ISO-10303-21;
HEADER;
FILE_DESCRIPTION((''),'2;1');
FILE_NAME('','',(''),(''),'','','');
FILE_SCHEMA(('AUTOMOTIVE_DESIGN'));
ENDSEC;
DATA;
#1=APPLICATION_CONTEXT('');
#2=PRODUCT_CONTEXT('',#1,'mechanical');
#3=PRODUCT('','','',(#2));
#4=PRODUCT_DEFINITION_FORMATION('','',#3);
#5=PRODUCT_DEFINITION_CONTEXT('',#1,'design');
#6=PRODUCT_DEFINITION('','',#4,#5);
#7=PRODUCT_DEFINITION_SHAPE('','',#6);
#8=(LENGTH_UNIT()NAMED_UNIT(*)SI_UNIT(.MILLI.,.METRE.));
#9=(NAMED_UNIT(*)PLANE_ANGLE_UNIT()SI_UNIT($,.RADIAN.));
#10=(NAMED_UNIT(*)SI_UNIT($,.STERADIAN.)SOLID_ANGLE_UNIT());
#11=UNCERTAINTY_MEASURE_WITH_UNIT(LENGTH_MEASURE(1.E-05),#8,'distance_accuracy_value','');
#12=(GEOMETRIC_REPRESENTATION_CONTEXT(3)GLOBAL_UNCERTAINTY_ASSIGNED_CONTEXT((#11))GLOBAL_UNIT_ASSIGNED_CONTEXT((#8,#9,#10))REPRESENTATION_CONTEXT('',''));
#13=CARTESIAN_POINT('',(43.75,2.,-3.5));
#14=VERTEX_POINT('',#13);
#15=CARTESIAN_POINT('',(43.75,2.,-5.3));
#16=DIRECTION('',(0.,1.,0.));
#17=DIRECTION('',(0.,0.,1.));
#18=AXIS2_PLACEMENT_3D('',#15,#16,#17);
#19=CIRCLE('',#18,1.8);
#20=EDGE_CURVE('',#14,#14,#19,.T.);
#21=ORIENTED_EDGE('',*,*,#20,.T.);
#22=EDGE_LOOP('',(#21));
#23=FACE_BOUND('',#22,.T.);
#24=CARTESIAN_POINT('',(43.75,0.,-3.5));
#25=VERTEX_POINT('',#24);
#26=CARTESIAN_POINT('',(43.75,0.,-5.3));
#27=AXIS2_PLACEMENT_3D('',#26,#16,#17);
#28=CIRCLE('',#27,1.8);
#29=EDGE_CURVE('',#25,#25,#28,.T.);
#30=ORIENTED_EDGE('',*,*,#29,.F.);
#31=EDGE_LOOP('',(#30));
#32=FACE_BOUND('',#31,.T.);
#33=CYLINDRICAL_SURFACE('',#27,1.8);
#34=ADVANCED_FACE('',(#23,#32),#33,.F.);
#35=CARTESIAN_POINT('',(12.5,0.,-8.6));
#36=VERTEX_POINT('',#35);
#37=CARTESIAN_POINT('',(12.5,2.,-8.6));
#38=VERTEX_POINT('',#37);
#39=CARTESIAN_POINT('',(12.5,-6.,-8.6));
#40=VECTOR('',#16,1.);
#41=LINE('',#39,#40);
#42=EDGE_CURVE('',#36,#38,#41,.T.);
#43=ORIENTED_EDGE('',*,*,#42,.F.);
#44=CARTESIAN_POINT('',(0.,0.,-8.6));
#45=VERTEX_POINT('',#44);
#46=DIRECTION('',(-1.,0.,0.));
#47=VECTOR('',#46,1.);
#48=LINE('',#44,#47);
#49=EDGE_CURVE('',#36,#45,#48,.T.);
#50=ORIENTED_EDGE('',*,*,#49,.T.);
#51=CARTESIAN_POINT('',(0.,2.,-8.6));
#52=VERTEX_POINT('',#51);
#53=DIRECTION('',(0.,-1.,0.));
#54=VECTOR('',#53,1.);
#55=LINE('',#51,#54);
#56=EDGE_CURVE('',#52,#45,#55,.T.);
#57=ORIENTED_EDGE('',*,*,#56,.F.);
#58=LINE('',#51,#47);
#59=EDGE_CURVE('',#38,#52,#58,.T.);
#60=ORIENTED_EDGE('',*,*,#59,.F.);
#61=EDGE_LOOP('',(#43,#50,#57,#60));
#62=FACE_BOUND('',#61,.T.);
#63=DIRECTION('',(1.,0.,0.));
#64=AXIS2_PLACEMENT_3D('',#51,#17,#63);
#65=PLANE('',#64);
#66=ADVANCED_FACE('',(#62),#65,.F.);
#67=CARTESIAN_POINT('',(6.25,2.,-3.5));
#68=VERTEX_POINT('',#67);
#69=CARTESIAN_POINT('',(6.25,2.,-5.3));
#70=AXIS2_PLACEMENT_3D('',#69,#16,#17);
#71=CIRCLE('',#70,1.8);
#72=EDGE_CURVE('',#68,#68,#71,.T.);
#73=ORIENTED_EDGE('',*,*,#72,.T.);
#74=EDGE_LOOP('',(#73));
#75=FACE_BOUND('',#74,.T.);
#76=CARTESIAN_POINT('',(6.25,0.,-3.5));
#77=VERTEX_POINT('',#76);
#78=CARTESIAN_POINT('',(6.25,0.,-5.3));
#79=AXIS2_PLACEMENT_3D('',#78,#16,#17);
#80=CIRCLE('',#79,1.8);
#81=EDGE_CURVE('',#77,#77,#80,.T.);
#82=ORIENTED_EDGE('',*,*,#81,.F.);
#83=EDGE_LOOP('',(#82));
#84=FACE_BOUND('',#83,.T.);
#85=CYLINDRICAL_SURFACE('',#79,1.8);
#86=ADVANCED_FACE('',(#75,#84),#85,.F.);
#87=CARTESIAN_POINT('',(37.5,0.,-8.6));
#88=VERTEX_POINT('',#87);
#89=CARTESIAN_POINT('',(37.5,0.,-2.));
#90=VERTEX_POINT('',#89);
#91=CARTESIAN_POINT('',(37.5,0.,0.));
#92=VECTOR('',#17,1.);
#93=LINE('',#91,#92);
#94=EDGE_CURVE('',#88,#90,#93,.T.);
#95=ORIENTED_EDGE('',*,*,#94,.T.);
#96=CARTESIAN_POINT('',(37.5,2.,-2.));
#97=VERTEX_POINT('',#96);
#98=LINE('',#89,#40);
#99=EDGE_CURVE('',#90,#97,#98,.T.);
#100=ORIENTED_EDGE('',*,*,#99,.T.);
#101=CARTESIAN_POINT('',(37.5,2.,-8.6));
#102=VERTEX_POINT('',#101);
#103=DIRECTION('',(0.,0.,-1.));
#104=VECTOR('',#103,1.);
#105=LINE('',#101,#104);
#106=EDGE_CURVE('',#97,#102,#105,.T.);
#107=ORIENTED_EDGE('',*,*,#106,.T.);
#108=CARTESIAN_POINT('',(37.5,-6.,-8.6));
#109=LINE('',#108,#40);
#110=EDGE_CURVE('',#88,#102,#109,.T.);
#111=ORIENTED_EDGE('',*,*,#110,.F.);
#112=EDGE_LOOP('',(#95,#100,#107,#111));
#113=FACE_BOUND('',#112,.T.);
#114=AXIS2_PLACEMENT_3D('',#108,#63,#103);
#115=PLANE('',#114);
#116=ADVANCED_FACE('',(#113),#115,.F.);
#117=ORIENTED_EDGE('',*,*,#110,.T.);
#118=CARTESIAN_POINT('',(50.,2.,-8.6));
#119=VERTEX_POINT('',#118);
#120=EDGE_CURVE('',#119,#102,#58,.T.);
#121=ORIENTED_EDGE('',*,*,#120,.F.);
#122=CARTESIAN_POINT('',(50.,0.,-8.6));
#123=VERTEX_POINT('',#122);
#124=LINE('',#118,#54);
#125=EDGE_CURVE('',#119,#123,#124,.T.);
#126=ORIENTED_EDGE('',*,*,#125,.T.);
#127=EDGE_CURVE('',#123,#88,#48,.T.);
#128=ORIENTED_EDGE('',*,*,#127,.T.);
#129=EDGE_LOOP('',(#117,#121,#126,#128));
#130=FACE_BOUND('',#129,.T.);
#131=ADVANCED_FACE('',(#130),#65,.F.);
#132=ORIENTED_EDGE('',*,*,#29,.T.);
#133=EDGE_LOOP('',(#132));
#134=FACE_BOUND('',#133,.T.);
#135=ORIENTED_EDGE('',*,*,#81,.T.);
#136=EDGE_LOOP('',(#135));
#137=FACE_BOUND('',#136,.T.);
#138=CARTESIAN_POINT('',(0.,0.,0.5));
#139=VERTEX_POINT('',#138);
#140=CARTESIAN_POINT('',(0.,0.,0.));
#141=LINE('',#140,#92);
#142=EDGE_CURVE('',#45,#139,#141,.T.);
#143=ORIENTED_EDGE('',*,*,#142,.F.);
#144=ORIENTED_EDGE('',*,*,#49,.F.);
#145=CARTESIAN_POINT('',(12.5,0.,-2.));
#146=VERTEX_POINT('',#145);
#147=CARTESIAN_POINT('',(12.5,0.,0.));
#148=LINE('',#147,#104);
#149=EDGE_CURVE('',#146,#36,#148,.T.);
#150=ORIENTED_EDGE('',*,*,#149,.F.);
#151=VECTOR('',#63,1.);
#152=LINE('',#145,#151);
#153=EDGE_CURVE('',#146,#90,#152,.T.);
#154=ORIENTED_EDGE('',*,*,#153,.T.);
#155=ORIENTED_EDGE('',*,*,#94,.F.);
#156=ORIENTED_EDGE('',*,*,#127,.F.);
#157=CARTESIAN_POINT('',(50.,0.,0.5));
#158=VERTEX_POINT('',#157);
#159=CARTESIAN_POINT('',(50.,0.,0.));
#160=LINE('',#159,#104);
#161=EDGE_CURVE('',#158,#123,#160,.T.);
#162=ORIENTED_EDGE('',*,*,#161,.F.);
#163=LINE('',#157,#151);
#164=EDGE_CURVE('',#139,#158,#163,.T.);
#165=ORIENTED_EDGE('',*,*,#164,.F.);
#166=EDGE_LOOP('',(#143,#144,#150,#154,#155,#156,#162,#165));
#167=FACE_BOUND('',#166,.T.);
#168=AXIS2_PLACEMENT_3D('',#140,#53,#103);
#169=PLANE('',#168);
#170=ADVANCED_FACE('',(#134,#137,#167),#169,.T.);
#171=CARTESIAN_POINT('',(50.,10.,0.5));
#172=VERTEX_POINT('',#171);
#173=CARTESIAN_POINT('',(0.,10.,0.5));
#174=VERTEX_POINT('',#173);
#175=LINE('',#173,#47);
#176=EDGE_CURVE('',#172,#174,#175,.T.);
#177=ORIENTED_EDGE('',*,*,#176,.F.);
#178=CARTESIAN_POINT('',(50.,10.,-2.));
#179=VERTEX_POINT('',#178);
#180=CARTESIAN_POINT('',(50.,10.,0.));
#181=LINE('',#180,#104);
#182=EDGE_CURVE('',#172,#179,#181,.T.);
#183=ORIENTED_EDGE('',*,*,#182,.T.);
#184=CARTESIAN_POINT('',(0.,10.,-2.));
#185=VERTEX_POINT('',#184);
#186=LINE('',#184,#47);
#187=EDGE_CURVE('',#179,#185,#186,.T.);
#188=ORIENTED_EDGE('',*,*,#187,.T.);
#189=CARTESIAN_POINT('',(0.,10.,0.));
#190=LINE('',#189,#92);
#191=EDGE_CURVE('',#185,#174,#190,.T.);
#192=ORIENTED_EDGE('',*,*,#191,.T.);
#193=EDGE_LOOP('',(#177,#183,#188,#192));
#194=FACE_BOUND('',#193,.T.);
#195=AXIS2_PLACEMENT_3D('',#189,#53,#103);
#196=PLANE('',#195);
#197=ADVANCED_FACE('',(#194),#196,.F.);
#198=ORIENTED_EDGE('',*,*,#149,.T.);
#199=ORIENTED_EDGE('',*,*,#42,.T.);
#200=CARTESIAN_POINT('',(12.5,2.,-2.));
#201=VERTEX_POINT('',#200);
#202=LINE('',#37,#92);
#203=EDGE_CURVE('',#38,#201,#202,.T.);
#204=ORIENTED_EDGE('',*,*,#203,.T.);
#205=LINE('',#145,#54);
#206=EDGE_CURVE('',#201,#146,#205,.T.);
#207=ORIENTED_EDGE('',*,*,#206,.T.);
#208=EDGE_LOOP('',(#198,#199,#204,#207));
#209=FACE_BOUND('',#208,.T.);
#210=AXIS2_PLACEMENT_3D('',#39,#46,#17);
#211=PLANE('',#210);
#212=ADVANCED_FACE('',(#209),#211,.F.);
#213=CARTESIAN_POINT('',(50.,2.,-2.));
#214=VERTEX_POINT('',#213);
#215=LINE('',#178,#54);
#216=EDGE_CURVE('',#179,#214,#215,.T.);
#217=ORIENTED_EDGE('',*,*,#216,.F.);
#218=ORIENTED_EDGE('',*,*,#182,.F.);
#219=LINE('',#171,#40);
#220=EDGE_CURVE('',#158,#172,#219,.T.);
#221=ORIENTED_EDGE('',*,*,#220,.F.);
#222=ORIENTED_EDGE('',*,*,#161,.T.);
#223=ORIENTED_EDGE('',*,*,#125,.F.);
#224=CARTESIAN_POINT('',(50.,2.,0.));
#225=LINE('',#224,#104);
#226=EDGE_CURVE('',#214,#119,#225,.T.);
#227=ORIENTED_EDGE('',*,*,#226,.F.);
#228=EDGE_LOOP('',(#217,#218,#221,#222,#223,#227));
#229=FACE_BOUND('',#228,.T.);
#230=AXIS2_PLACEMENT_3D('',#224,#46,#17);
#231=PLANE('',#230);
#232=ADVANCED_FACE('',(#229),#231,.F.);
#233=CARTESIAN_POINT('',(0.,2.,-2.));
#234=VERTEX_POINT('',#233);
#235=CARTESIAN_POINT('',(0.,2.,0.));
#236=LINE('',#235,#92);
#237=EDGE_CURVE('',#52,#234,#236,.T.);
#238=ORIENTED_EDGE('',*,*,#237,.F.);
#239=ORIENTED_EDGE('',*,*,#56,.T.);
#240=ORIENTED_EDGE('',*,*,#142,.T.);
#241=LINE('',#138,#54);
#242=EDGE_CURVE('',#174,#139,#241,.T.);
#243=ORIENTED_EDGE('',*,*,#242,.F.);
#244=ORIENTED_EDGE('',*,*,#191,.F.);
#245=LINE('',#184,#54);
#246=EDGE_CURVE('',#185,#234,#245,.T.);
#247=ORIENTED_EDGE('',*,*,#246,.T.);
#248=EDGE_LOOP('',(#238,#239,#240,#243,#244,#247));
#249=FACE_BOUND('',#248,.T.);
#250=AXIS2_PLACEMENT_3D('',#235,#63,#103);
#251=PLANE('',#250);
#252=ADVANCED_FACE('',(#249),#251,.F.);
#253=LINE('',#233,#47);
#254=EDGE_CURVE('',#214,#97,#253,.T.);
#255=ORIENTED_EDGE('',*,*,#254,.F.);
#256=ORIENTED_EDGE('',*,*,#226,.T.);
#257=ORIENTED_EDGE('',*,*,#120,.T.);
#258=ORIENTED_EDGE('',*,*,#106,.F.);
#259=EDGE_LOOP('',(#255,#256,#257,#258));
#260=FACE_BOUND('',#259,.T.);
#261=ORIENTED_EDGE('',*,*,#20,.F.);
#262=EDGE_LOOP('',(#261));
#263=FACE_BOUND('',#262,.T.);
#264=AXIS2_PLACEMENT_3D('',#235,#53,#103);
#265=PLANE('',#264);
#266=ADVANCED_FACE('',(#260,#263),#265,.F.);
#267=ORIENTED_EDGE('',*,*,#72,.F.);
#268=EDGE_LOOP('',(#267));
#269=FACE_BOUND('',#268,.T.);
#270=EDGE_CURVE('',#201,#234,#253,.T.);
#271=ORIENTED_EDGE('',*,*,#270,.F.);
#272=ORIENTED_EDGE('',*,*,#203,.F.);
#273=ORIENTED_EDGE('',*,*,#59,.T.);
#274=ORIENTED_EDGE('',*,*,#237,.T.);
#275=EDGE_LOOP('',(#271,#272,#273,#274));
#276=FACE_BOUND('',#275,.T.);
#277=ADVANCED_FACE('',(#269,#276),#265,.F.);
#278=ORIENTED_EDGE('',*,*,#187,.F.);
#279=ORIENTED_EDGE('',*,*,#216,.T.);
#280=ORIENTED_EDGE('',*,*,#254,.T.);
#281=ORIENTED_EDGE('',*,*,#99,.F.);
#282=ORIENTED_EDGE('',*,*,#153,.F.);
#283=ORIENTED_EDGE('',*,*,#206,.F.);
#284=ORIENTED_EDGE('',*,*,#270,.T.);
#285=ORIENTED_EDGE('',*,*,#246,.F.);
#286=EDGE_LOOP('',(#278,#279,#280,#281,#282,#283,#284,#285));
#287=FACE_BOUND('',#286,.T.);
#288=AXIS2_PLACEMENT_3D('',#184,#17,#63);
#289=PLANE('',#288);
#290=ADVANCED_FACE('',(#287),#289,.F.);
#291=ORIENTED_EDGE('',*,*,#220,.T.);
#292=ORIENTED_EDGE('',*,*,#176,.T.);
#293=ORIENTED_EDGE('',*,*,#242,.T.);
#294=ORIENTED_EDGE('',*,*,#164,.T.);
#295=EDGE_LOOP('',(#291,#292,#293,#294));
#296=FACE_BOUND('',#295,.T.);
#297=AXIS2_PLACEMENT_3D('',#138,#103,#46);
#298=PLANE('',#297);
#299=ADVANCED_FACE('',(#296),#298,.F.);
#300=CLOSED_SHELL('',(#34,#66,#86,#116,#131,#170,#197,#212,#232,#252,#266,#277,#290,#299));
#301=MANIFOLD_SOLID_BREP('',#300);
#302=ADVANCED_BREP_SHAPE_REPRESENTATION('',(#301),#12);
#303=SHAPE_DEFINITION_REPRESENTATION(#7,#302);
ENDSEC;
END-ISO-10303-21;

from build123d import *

# Parameters (mm, degrees)
SKETCH1_W           = 50
SKETCH1_H           = 8.6
BOSS_EXTRUDE2_DEPTH = 2
SKETCH3_W           = 50
SKETCH3_H           = 2
BOSS_EXTRUDE3_DEPTH = 8
SKETCH4_W           = 25
SKETCH4_H           = 6.6
CUT_EXTRUDE1_DEPTH  = 8
SKETCH5_W           = 25
SKETCH5_H           = 2
CUT_EXTRUDE2_DEPTH  = 2
SKETCH6_R           = 1.8
CUT_EXTRUDE3_DEPTH  = 2
BOSS_EXTRUDE4_DEPTH = 0.5
SKETCH8_W           = 25
SKETCH8_H           = 2
BOSS_EXTRUDE5_DEPTH = 2.5


with BuildPart() as part:
    # Sketch1 → Boss-Extrude2 (new body)
    with BuildSketch(Plane(origin=(0, 0, 0), x_dir=(1, 0, 0), z_dir=(0, 1, 0))):
        with Locations((25, 4.3)):
            Rectangle(SKETCH1_W, SKETCH1_H)
    extrude(amount=BOSS_EXTRUDE2_DEPTH)

    # Sketch3 → Boss-Extrude3 (add)
    with BuildSketch(Plane(origin=(0, 2, 0), x_dir=(1, 0, 0), z_dir=(0, 1, 0))):
        with Locations((25, 1)):
            Rectangle(SKETCH3_W, SKETCH3_H)
    extrude(amount=BOSS_EXTRUDE3_DEPTH)

    # Sketch4 → Cut-Extrude1 (cut)
    with BuildSketch(Plane(origin=(0, 2, 0), x_dir=(1, 0, 0), z_dir=(0, 1, 0))):
        with Locations((25, 5.3)):
            Rectangle(SKETCH4_W, SKETCH4_H)
    extrude(amount=-CUT_EXTRUDE1_DEPTH, mode=Mode.SUBTRACT)

    # Sketch5 → Cut-Extrude2 (cut)
    with BuildSketch(Plane(origin=(0, 0, -2), x_dir=(-1, 0, 0), z_dir=(0, 0, -1))):
        with Locations((-25, 1)):
            Rectangle(SKETCH5_W, SKETCH5_H)
    extrude(amount=-CUT_EXTRUDE2_DEPTH, mode=Mode.SUBTRACT)

    # Sketch6 → Cut-Extrude3 (cut)
    with BuildSketch(Plane(origin=(0, 2, 0), x_dir=(1, 0, 0), z_dir=(0, 1, 0))):
        with Locations(Location((43.75, 5.3, 0), (0, 0, 270))):
            Circle(SKETCH6_R)
        with Locations(Location((6.25, 5.3, 0), (0, 0, 270))):
            Circle(SKETCH6_R)
    extrude(amount=-CUT_EXTRUDE3_DEPTH, mode=Mode.SUBTRACT)

    # Sketch7 → Boss-Extrude4 (add)
    with BuildSketch(Plane.XY):
        Polygon((12.5, 0), (0, 0), (0, 10), (50, 10), (50, 0), (37.5, 0), (37.5, 2), (12.5, 2), align=None)
    extrude(amount=BOSS_EXTRUDE4_DEPTH)

    # Sketch8 → Boss-Extrude5 (add)
    with BuildSketch(Plane.XY.offset(0.5)):
        with Locations((25, 1)):
            Rectangle(SKETCH8_W, SKETCH8_H)
    extrude(amount=-BOSS_EXTRUDE5_DEPTH)


solid = part.part
